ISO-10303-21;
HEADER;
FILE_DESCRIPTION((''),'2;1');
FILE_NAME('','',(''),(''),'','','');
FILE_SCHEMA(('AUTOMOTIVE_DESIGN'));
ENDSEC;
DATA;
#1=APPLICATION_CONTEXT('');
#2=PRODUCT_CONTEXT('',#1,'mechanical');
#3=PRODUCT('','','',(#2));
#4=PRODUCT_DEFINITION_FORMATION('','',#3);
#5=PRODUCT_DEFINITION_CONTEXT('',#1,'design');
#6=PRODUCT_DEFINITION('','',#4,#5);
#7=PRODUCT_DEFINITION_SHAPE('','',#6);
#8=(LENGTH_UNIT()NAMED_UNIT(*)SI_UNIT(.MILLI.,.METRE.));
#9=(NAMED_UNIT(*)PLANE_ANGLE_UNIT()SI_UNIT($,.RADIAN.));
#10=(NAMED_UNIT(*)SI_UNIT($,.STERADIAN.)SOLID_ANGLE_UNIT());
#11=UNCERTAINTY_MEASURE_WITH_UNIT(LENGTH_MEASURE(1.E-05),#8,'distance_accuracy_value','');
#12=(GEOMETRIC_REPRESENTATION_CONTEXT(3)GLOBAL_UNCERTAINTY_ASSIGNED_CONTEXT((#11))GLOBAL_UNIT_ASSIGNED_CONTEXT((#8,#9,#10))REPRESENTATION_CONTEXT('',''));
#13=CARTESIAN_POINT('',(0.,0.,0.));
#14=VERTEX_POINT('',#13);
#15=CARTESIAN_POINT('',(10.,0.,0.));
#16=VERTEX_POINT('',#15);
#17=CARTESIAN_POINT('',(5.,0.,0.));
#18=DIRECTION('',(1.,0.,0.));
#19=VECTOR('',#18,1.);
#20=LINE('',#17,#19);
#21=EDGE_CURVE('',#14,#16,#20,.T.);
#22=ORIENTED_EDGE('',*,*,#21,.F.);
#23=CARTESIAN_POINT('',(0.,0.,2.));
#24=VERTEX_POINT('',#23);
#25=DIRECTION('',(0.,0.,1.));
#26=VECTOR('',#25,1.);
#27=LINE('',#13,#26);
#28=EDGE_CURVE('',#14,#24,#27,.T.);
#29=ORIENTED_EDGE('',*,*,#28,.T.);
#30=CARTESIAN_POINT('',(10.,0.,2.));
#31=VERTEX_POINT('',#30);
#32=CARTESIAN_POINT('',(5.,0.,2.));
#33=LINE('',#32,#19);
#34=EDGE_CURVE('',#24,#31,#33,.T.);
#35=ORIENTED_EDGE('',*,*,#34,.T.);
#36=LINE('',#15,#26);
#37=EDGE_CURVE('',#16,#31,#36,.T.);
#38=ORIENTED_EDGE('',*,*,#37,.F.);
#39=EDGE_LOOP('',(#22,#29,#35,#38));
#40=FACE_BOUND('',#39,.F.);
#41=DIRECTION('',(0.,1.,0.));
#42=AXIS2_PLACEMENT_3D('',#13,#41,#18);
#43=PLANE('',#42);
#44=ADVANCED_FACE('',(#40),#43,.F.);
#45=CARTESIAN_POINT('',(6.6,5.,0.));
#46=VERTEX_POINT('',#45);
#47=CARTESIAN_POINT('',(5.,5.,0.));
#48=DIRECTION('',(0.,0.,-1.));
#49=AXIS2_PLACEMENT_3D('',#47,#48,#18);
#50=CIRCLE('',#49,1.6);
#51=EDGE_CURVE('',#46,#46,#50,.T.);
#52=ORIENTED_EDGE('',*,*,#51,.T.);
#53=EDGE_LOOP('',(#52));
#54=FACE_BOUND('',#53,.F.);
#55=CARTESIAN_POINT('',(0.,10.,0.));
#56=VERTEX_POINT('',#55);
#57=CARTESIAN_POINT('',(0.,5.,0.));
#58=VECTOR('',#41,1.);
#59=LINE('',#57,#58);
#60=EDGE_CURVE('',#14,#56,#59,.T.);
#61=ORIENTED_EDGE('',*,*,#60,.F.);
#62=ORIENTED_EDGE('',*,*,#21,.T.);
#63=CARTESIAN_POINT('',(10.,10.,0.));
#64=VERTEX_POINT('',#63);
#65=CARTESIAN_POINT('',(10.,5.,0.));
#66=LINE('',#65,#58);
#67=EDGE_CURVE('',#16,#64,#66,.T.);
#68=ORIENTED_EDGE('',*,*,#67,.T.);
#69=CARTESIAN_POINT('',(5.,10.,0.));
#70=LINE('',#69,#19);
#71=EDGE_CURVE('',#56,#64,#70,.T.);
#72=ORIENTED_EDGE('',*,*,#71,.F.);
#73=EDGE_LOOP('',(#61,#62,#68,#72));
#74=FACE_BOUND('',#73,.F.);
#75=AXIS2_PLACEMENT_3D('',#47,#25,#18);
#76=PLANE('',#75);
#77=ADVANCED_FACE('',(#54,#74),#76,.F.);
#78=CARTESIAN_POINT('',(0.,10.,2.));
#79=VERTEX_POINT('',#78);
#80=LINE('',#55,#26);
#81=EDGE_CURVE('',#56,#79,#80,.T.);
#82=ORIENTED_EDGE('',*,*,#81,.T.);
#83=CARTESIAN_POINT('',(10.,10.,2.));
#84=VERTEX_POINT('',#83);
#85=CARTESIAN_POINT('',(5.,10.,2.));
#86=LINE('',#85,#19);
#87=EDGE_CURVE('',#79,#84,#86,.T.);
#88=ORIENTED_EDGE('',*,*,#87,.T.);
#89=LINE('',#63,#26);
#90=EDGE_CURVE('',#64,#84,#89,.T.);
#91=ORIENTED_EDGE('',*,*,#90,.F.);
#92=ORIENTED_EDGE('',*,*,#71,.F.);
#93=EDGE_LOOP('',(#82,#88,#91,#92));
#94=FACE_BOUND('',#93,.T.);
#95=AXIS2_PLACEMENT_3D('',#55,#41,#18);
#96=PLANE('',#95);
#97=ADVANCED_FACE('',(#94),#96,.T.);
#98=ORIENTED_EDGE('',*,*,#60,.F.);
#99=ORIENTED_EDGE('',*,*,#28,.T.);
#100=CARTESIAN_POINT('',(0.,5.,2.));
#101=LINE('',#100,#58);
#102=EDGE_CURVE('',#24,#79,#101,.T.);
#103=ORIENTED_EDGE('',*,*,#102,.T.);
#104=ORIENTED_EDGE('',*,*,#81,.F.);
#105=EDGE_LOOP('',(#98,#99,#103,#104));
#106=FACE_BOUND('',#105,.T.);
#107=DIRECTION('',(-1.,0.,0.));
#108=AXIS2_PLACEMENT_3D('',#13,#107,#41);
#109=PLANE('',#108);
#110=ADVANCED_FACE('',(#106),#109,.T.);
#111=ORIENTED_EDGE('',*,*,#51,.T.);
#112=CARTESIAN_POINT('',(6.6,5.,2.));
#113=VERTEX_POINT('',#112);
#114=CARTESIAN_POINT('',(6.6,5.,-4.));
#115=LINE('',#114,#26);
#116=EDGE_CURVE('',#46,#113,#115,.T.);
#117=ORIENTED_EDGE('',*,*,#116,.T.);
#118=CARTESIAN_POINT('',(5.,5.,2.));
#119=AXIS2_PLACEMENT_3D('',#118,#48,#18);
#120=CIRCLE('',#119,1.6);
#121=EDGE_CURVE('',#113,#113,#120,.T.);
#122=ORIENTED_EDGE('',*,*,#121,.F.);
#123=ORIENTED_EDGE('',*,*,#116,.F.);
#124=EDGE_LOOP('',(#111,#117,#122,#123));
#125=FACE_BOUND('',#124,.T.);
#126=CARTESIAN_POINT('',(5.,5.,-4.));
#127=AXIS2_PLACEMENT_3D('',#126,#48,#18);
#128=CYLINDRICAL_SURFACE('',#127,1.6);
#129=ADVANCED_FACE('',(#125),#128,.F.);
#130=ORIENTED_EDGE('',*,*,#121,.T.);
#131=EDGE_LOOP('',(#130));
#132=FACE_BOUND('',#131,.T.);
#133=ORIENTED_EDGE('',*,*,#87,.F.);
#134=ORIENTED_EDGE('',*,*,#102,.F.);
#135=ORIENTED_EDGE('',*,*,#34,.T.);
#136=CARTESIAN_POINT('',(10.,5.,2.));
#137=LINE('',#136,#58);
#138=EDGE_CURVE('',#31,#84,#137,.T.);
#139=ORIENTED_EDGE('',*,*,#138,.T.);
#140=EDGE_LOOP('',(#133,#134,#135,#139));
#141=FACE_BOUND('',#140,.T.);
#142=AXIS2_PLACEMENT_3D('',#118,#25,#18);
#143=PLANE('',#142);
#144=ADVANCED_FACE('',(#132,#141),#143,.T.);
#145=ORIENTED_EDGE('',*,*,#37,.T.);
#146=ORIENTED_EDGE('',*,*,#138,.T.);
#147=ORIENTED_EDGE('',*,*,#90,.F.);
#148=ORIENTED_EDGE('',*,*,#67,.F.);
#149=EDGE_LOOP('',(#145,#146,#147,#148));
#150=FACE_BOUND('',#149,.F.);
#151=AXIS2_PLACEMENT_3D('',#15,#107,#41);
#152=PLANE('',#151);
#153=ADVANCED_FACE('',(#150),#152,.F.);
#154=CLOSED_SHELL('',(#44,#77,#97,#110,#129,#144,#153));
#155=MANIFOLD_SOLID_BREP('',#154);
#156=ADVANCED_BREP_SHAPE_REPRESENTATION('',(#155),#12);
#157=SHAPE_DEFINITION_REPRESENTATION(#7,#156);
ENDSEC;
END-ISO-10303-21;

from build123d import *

# Parameters (mm, degrees)
CYLINDER_R     = 1.6
CYLINDER_DEPTH = 10
BOX_W          = 10
BOX_H          = 10
BOX_DEPTH      = 2


with BuildPart() as cylinder:
    # Cylinder → Cylinder (new body)
    with BuildSketch(Plane(origin=(5, 5, -4), x_dir=(1, 0, 0), z_dir=(0, 0, 1))):
        Circle(CYLINDER_R)
    extrude(amount=CYLINDER_DEPTH)


with BuildPart() as cut:
    # Box → Box (new body)
    with BuildSketch(Plane.XY):
        with Locations((5, 5)):
            Rectangle(BOX_W, BOX_H)
    extrude(amount=BOX_DEPTH)

    # Cut: cut Cylinder
    add(cylinder.part, mode=Mode.SUBTRACT)


solid = cut.part
